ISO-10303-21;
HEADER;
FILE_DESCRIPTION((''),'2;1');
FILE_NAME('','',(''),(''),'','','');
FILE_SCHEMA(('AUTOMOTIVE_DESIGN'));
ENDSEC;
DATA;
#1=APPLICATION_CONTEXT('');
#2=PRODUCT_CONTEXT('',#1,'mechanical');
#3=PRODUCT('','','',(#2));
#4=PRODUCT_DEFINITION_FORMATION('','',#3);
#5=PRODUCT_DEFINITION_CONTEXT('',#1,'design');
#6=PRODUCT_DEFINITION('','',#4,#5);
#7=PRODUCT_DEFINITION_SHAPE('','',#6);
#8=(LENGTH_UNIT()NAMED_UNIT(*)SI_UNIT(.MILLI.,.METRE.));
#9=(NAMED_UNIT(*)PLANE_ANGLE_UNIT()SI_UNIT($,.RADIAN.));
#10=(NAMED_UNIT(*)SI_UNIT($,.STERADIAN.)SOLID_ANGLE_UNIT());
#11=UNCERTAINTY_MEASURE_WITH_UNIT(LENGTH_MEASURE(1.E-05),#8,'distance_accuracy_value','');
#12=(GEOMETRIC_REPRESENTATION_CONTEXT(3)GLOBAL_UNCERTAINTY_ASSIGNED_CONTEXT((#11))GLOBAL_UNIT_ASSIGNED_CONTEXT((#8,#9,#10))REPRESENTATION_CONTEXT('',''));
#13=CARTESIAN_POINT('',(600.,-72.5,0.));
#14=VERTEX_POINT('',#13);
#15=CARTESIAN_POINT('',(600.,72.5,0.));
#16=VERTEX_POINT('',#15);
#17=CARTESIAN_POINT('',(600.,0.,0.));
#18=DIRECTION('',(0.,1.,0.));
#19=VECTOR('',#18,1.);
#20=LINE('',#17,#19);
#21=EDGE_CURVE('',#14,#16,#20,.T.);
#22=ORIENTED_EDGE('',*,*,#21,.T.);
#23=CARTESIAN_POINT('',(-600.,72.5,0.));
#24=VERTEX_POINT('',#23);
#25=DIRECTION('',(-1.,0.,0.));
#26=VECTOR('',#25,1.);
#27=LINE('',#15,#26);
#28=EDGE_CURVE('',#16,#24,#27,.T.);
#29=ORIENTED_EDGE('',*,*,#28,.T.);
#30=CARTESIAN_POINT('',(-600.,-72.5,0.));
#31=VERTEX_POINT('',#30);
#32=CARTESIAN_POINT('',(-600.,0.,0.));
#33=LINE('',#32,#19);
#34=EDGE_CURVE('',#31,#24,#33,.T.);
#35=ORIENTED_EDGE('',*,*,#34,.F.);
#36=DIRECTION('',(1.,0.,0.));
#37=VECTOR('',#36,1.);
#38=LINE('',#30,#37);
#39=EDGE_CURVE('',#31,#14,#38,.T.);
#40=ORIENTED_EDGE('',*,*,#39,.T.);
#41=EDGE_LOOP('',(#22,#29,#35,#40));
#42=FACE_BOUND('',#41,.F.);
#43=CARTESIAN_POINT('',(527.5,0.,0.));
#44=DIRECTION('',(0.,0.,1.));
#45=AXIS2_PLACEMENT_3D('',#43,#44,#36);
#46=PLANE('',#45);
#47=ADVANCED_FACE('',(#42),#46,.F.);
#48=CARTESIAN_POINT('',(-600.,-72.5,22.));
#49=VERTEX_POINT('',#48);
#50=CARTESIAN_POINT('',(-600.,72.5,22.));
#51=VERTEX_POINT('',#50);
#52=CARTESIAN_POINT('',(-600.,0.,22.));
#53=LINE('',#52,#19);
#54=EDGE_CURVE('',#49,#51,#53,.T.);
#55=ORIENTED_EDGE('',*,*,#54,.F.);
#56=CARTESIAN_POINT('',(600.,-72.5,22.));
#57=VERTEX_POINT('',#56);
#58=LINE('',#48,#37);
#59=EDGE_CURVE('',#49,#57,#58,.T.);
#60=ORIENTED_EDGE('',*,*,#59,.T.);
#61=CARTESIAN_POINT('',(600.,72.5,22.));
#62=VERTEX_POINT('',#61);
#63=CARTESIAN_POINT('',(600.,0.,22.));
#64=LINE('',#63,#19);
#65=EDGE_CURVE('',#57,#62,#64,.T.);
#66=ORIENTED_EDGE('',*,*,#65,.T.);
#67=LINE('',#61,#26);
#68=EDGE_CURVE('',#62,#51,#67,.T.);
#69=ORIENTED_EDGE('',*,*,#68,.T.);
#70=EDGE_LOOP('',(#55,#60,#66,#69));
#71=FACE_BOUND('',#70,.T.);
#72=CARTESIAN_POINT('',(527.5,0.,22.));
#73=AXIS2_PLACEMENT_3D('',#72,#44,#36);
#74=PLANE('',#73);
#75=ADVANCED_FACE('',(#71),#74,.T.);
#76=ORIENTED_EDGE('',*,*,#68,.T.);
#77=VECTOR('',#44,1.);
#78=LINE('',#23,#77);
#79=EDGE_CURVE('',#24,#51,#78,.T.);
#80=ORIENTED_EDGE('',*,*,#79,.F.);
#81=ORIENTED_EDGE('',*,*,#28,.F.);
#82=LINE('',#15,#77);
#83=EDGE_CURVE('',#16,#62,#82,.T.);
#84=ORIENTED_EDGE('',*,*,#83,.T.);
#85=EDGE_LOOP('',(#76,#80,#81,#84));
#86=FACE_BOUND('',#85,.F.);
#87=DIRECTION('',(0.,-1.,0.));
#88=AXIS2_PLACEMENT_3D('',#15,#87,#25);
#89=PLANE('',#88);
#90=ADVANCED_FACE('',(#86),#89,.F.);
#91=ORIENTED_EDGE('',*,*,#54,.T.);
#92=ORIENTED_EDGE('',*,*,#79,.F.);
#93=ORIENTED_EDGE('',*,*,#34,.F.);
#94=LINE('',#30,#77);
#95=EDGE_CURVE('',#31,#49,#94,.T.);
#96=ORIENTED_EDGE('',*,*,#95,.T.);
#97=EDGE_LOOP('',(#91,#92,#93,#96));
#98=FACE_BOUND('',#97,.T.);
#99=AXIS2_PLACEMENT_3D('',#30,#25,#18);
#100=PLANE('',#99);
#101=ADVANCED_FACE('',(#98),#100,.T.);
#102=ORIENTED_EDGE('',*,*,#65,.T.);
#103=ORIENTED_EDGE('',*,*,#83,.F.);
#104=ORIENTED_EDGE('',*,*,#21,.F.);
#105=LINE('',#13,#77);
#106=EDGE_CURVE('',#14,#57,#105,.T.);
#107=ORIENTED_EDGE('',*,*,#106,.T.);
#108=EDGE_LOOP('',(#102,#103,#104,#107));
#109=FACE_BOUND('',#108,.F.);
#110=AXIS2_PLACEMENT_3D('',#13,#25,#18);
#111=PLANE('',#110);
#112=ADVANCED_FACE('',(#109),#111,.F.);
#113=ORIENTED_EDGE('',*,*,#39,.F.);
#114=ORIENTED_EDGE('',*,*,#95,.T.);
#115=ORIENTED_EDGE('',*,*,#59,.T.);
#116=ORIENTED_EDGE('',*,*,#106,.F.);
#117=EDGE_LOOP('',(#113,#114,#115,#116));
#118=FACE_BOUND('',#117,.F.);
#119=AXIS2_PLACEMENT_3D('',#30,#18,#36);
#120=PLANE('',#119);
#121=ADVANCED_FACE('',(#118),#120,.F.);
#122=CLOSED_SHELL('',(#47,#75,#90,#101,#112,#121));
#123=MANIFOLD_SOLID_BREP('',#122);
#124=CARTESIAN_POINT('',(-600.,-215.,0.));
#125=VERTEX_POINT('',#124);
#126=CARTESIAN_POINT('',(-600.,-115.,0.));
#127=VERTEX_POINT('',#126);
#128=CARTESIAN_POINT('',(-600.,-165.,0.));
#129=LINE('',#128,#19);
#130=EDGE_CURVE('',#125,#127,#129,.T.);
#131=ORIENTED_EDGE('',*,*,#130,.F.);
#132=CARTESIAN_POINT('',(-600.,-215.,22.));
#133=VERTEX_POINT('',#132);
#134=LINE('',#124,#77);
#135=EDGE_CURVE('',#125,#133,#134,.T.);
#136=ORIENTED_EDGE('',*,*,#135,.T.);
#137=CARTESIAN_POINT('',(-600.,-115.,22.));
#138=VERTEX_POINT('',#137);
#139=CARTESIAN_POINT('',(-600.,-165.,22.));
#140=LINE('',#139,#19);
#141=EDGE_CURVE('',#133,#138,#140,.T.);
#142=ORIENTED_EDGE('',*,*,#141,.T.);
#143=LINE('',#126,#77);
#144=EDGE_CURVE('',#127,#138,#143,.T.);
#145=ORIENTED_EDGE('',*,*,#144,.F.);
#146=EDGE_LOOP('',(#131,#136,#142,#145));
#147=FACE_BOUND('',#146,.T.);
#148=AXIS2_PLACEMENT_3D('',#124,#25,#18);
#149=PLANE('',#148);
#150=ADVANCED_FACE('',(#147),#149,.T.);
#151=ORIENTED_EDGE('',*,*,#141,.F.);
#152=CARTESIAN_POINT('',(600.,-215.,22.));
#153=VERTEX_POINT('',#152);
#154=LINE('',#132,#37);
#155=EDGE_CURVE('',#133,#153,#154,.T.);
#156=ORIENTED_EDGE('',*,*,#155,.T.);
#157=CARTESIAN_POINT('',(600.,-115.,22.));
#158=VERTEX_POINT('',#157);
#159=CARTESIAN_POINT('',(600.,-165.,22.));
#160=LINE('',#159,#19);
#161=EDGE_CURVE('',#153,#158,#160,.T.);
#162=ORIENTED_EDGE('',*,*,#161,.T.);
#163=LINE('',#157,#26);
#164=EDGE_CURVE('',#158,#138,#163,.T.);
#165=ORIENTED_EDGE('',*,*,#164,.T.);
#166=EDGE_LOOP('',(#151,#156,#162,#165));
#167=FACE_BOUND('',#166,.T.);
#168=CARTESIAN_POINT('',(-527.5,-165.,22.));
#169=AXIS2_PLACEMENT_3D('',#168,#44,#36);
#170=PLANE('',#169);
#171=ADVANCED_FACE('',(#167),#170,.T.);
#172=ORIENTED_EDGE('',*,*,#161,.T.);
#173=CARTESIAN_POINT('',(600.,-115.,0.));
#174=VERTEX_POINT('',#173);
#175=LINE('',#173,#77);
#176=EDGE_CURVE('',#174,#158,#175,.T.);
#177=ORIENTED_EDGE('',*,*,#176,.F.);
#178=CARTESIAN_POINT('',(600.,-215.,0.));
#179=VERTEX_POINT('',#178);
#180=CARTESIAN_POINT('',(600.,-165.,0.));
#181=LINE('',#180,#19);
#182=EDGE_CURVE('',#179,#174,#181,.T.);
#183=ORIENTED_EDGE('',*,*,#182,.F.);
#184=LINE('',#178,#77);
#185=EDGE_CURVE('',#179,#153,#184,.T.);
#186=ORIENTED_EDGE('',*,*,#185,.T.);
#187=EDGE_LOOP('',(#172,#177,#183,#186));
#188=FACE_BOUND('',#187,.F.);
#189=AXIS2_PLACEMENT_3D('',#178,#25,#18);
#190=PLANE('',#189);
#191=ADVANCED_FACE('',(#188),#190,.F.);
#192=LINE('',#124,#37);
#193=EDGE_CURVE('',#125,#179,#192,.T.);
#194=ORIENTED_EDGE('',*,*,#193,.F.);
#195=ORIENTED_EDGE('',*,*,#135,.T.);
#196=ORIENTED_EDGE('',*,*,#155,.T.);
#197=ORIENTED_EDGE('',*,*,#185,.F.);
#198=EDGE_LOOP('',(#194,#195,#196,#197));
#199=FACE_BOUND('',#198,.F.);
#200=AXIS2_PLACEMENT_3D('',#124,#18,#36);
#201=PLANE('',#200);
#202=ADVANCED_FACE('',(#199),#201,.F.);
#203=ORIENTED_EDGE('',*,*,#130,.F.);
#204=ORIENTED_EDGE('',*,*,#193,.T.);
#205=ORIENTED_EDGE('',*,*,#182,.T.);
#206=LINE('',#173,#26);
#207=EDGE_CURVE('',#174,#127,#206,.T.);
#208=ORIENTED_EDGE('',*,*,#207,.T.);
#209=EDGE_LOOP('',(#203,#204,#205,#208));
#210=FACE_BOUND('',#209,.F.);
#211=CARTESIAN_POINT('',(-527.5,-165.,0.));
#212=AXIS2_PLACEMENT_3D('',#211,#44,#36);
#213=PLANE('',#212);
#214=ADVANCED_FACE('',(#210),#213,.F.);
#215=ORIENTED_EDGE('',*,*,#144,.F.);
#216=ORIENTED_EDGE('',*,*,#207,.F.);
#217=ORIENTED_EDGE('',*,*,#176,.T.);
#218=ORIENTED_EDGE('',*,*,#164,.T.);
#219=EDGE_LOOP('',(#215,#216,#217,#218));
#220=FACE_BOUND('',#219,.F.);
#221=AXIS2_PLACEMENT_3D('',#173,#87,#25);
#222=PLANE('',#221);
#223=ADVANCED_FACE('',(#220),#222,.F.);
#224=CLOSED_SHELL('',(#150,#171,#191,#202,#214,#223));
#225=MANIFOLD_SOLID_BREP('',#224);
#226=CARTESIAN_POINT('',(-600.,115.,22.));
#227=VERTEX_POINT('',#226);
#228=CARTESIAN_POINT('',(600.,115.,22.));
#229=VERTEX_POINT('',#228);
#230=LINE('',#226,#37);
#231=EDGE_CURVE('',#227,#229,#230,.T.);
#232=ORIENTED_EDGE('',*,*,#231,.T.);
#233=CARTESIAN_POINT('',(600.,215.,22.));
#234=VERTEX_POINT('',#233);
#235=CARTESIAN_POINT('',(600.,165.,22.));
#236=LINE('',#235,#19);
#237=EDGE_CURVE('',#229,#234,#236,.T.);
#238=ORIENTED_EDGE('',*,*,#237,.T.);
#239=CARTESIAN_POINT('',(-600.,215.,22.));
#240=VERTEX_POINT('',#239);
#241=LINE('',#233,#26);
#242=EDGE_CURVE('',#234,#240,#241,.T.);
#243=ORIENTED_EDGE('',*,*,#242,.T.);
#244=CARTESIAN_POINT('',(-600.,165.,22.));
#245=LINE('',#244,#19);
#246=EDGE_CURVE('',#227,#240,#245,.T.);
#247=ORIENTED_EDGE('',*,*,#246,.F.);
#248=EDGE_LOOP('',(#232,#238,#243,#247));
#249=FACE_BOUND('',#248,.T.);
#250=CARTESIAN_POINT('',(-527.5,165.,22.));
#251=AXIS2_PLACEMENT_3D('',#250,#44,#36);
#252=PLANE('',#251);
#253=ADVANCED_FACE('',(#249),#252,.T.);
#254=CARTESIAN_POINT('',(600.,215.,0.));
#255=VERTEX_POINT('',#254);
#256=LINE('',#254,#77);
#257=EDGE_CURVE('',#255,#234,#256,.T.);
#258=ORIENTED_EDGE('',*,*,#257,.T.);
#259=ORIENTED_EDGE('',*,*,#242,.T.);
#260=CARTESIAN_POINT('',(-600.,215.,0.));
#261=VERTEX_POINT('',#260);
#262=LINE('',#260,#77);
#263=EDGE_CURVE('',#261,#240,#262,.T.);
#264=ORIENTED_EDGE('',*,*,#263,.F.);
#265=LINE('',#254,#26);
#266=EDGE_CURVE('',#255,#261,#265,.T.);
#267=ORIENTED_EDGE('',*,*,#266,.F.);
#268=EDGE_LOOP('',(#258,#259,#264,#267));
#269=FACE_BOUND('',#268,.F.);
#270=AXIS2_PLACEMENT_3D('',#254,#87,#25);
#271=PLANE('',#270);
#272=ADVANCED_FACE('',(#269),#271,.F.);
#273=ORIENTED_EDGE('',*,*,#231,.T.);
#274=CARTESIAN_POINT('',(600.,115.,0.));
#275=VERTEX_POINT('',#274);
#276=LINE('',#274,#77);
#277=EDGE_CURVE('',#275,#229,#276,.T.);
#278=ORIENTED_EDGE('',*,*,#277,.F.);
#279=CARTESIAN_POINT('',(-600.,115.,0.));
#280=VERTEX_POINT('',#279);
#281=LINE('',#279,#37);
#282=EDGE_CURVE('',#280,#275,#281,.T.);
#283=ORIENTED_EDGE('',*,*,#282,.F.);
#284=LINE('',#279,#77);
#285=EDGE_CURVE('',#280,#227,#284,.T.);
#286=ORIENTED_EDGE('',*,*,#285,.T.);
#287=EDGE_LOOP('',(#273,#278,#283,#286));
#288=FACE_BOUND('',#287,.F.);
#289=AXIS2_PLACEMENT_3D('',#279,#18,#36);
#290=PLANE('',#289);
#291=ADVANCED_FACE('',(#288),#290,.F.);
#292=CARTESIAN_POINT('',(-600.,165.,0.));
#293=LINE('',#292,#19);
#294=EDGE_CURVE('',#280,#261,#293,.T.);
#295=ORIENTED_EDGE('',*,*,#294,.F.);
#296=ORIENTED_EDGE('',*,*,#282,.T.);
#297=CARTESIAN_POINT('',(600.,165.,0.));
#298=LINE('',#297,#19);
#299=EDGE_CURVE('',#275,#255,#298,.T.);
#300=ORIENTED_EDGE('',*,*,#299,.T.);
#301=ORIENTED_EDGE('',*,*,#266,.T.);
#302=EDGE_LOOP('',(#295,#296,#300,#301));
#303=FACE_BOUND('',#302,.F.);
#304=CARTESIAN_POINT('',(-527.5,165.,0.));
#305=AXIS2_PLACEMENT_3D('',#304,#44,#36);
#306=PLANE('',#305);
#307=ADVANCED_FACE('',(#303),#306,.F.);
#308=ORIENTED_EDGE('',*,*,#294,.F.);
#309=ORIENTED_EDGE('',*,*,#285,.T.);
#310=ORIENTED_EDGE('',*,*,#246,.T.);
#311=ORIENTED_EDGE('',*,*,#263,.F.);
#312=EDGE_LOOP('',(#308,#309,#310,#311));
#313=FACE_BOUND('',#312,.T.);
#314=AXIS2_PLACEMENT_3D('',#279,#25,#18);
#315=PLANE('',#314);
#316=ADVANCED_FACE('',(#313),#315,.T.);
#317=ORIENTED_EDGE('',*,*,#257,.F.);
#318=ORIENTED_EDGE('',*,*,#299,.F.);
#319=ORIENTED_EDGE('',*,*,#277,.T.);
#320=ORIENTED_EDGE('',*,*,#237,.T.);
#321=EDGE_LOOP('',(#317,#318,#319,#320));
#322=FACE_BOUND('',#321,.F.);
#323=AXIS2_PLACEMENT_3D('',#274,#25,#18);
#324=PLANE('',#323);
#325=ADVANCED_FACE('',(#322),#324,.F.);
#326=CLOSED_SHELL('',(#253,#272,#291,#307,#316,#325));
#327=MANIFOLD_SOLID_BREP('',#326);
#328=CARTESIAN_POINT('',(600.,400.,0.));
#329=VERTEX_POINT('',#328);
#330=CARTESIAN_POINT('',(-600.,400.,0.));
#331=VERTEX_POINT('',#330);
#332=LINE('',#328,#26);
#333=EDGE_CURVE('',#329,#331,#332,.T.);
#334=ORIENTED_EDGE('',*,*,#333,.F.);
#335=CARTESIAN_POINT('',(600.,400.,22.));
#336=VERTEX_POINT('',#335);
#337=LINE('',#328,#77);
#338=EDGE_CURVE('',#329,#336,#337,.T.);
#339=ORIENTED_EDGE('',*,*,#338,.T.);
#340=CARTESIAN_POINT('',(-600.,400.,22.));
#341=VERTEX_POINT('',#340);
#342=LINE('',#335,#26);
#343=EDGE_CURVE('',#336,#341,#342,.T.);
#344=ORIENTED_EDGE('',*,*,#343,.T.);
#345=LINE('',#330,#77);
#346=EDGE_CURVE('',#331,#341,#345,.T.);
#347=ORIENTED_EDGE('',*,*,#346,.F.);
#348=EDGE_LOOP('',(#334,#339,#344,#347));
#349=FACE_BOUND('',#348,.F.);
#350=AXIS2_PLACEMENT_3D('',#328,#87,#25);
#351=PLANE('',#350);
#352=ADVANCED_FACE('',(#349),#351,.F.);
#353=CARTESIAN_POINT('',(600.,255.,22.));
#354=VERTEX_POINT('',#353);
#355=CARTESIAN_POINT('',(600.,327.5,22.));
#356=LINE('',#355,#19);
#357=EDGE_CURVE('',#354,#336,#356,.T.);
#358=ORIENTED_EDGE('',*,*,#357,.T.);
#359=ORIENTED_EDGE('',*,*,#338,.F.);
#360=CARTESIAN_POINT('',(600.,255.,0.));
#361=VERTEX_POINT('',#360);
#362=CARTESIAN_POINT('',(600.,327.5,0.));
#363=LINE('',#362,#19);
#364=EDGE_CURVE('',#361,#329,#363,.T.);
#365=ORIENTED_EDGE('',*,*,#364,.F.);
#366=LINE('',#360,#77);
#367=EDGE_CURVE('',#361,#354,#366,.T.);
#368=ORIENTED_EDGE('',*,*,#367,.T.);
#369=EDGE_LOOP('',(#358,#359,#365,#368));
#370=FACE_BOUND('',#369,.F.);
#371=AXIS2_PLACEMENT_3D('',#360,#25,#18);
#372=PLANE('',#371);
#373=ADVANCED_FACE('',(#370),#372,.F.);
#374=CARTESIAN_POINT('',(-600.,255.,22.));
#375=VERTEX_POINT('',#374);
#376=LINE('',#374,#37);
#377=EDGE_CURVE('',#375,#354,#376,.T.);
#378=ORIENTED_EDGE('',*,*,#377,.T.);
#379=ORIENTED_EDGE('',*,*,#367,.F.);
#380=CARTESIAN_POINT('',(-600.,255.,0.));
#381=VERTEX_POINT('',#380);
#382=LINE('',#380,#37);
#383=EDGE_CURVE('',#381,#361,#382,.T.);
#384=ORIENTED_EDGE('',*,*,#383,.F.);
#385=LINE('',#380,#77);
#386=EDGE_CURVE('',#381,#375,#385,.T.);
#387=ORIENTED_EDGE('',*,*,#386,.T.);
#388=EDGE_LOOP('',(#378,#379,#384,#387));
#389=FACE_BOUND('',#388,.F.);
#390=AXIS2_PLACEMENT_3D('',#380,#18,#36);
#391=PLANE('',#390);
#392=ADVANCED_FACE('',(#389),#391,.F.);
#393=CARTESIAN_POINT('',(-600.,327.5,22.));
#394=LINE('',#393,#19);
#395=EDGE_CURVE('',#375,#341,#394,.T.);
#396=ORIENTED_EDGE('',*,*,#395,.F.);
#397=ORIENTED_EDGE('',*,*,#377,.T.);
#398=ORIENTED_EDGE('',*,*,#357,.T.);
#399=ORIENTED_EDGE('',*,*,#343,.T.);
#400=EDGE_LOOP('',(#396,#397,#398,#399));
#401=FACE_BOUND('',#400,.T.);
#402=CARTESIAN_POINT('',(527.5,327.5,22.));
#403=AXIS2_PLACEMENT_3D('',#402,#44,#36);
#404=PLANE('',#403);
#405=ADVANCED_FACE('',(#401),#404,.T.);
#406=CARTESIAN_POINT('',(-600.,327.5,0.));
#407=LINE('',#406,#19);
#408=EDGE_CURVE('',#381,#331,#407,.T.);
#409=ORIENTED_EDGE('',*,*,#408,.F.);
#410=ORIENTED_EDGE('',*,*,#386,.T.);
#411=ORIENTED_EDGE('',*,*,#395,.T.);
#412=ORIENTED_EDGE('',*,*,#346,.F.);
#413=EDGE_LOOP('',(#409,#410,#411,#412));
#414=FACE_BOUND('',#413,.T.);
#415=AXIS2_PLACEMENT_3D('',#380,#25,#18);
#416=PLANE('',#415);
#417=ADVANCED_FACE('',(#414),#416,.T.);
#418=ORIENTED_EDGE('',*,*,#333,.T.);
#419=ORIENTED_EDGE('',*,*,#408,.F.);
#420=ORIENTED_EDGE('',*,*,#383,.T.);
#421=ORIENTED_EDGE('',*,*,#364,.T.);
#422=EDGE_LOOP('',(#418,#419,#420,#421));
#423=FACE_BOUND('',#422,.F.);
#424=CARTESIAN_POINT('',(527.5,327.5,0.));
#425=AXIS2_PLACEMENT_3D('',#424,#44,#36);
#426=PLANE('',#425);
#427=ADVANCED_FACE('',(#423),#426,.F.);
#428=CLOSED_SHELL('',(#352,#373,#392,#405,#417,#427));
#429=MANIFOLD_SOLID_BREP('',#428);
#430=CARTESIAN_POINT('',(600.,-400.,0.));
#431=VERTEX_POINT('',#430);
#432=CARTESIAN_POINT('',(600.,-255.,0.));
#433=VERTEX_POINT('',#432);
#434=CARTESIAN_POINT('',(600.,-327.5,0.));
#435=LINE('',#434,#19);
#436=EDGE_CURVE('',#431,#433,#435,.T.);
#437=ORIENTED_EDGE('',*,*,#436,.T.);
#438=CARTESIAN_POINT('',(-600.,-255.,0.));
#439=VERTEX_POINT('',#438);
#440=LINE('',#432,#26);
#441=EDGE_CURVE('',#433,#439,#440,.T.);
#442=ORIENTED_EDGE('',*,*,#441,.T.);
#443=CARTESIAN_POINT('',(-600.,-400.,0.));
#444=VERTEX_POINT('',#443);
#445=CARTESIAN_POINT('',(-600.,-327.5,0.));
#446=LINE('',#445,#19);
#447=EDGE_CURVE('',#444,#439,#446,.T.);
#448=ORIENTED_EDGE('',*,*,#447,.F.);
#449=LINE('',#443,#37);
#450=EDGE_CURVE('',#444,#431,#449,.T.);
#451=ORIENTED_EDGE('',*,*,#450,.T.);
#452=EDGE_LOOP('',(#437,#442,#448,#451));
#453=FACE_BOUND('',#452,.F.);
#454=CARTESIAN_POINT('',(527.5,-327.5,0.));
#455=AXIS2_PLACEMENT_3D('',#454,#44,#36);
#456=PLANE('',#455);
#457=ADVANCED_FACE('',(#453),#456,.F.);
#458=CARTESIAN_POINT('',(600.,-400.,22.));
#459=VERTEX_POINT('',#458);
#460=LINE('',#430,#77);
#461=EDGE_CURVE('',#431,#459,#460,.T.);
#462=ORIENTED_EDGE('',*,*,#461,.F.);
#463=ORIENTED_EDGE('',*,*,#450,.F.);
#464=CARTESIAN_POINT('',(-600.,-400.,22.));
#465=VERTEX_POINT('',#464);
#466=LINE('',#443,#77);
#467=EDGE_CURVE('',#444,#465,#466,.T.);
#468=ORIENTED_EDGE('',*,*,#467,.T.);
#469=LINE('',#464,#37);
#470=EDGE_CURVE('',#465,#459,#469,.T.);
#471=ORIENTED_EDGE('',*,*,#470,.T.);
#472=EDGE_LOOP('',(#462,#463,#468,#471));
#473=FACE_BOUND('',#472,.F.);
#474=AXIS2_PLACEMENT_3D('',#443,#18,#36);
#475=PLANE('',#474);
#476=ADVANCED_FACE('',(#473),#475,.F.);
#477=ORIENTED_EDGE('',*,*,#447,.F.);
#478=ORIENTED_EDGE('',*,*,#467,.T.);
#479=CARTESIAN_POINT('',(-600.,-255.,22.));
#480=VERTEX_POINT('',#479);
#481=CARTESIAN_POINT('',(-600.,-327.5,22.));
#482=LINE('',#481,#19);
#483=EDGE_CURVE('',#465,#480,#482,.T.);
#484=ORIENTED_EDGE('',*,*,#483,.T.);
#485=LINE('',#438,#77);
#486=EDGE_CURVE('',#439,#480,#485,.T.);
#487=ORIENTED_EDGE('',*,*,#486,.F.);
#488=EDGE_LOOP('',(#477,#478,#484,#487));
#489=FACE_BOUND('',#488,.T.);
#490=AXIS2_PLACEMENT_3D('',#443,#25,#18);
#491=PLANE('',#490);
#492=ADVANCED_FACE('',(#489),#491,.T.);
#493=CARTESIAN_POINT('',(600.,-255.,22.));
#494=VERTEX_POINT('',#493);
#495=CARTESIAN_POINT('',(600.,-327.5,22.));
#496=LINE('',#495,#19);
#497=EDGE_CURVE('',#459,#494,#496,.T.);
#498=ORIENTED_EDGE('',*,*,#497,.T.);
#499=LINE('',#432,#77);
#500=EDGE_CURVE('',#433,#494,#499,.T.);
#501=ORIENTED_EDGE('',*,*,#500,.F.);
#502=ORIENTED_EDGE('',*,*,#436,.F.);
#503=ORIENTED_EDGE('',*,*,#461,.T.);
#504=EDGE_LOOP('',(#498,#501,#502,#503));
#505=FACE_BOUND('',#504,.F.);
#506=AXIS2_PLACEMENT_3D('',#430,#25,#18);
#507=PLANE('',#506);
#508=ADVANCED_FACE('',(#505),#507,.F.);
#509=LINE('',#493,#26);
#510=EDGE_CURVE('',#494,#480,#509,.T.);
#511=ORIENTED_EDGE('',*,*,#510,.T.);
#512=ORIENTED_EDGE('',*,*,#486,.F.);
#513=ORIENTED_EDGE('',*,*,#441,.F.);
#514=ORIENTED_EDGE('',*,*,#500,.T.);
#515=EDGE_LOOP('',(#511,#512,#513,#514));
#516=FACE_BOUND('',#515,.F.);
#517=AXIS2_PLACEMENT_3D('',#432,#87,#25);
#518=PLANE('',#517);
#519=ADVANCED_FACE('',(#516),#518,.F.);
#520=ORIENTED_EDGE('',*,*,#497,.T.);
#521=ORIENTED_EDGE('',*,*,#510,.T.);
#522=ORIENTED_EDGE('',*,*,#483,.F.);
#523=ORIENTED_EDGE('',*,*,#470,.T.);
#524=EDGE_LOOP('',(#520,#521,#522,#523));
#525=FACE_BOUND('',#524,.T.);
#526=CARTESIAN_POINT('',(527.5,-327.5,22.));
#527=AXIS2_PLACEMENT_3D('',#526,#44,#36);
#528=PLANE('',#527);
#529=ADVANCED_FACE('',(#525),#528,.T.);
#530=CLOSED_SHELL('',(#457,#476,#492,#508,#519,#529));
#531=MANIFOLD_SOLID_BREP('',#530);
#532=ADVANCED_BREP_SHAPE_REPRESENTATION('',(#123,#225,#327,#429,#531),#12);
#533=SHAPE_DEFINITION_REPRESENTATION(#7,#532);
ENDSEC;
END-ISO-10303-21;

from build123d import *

# Parameters (mm, degrees)
F0_W     = 145
F0_H     = 145
F0_W_2   = 383
F0_W_3   = 382
F1_DEPTH = 22
F0_H_2   = 100


with BuildPart() as f1:
    # F0 (on Top) → F1 (new body)
    with BuildSketch(Plane.XY):
        with Locations((527.5, 327.5)):
            Rectangle(F0_W, F0_H)
        with Locations((263.5, 327.5)):
            Rectangle(F0_W_2, F0_H)
        with Locations((-0.5, 327.5)):
            Rectangle(F0_W, F0_H)
        with Locations((-264, 327.5)):
            Rectangle(F0_W_3, F0_H)
        with Locations((-527.5, 327.5)):
            Rectangle(F0_W, F0_H)
    extrude(amount=F1_DEPTH)


with BuildPart() as f1b:
    # F0 (on Top) → F1, piece 2 (new body)
    with BuildSketch(Plane.XY):
        with Locations((-527.5, 165)):
            Rectangle(F0_W, F0_H_2)
        with Locations((-264, 165)):
            Rectangle(F0_W_3, F0_H_2)
        with Locations((-0.5, 165)):
            Rectangle(F0_W, F0_H_2)
        with Locations((263.5, 165)):
            Rectangle(F0_W_2, F0_H_2)
        with Locations((527.5, 165)):
            Rectangle(F0_W, F0_H_2)
    extrude(amount=F1_DEPTH)


with BuildPart() as f1c:
    # F0 (on Top) → F1, piece 3 (new body)
    with BuildSketch(Plane.XY):
        with Locations((527.5, 0)):
            Rectangle(F0_W, F0_H)
        with Locations((263.5, 0)):
            Rectangle(F0_W_2, F0_H)
        with Locations((-0.5, 0)):
            Rectangle(F0_W, F0_H)
        with Locations((-264, 0)):
            Rectangle(F0_W_3, F0_H)
        with Locations((-527.5, 0)):
            Rectangle(F0_W, F0_H)
    extrude(amount=F1_DEPTH)


with BuildPart() as f1d:
    # F0 (on Top) → F1, piece 4 (new body)
    with BuildSketch(Plane.XY):
        with Locations((-527.5, -165)):
            Rectangle(F0_W, F0_H_2)
        with Locations((-264, -165)):
            Rectangle(F0_W_3, F0_H_2)
        with Locations((-0.5, -165)):
            Rectangle(F0_W, F0_H_2)
        with Locations((263.5, -165)):
            Rectangle(F0_W_2, F0_H_2)
        with Locations((527.5, -165)):
            Rectangle(F0_W, F0_H_2)
    extrude(amount=F1_DEPTH)


with BuildPart() as f1e:
    # F0 (on Top) → F1, piece 5 (new body)
    with BuildSketch(Plane.XY):
        with Locations((527.5, -327.5)):
            Rectangle(F0_W, F0_H)
        with Locations((263.5, -327.5)):
            Rectangle(F0_W_2, F0_H)
        with Locations((-0.5, -327.5)):
            Rectangle(F0_W, F0_H)
        with Locations((-264, -327.5)):
            Rectangle(F0_W_3, F0_H)
        with Locations((-527.5, -327.5)):
            Rectangle(F0_W, F0_H)
    extrude(amount=F1_DEPTH)


solid = Compound([f1.part, f1b.part, f1c.part, f1d.part, f1e.part])
